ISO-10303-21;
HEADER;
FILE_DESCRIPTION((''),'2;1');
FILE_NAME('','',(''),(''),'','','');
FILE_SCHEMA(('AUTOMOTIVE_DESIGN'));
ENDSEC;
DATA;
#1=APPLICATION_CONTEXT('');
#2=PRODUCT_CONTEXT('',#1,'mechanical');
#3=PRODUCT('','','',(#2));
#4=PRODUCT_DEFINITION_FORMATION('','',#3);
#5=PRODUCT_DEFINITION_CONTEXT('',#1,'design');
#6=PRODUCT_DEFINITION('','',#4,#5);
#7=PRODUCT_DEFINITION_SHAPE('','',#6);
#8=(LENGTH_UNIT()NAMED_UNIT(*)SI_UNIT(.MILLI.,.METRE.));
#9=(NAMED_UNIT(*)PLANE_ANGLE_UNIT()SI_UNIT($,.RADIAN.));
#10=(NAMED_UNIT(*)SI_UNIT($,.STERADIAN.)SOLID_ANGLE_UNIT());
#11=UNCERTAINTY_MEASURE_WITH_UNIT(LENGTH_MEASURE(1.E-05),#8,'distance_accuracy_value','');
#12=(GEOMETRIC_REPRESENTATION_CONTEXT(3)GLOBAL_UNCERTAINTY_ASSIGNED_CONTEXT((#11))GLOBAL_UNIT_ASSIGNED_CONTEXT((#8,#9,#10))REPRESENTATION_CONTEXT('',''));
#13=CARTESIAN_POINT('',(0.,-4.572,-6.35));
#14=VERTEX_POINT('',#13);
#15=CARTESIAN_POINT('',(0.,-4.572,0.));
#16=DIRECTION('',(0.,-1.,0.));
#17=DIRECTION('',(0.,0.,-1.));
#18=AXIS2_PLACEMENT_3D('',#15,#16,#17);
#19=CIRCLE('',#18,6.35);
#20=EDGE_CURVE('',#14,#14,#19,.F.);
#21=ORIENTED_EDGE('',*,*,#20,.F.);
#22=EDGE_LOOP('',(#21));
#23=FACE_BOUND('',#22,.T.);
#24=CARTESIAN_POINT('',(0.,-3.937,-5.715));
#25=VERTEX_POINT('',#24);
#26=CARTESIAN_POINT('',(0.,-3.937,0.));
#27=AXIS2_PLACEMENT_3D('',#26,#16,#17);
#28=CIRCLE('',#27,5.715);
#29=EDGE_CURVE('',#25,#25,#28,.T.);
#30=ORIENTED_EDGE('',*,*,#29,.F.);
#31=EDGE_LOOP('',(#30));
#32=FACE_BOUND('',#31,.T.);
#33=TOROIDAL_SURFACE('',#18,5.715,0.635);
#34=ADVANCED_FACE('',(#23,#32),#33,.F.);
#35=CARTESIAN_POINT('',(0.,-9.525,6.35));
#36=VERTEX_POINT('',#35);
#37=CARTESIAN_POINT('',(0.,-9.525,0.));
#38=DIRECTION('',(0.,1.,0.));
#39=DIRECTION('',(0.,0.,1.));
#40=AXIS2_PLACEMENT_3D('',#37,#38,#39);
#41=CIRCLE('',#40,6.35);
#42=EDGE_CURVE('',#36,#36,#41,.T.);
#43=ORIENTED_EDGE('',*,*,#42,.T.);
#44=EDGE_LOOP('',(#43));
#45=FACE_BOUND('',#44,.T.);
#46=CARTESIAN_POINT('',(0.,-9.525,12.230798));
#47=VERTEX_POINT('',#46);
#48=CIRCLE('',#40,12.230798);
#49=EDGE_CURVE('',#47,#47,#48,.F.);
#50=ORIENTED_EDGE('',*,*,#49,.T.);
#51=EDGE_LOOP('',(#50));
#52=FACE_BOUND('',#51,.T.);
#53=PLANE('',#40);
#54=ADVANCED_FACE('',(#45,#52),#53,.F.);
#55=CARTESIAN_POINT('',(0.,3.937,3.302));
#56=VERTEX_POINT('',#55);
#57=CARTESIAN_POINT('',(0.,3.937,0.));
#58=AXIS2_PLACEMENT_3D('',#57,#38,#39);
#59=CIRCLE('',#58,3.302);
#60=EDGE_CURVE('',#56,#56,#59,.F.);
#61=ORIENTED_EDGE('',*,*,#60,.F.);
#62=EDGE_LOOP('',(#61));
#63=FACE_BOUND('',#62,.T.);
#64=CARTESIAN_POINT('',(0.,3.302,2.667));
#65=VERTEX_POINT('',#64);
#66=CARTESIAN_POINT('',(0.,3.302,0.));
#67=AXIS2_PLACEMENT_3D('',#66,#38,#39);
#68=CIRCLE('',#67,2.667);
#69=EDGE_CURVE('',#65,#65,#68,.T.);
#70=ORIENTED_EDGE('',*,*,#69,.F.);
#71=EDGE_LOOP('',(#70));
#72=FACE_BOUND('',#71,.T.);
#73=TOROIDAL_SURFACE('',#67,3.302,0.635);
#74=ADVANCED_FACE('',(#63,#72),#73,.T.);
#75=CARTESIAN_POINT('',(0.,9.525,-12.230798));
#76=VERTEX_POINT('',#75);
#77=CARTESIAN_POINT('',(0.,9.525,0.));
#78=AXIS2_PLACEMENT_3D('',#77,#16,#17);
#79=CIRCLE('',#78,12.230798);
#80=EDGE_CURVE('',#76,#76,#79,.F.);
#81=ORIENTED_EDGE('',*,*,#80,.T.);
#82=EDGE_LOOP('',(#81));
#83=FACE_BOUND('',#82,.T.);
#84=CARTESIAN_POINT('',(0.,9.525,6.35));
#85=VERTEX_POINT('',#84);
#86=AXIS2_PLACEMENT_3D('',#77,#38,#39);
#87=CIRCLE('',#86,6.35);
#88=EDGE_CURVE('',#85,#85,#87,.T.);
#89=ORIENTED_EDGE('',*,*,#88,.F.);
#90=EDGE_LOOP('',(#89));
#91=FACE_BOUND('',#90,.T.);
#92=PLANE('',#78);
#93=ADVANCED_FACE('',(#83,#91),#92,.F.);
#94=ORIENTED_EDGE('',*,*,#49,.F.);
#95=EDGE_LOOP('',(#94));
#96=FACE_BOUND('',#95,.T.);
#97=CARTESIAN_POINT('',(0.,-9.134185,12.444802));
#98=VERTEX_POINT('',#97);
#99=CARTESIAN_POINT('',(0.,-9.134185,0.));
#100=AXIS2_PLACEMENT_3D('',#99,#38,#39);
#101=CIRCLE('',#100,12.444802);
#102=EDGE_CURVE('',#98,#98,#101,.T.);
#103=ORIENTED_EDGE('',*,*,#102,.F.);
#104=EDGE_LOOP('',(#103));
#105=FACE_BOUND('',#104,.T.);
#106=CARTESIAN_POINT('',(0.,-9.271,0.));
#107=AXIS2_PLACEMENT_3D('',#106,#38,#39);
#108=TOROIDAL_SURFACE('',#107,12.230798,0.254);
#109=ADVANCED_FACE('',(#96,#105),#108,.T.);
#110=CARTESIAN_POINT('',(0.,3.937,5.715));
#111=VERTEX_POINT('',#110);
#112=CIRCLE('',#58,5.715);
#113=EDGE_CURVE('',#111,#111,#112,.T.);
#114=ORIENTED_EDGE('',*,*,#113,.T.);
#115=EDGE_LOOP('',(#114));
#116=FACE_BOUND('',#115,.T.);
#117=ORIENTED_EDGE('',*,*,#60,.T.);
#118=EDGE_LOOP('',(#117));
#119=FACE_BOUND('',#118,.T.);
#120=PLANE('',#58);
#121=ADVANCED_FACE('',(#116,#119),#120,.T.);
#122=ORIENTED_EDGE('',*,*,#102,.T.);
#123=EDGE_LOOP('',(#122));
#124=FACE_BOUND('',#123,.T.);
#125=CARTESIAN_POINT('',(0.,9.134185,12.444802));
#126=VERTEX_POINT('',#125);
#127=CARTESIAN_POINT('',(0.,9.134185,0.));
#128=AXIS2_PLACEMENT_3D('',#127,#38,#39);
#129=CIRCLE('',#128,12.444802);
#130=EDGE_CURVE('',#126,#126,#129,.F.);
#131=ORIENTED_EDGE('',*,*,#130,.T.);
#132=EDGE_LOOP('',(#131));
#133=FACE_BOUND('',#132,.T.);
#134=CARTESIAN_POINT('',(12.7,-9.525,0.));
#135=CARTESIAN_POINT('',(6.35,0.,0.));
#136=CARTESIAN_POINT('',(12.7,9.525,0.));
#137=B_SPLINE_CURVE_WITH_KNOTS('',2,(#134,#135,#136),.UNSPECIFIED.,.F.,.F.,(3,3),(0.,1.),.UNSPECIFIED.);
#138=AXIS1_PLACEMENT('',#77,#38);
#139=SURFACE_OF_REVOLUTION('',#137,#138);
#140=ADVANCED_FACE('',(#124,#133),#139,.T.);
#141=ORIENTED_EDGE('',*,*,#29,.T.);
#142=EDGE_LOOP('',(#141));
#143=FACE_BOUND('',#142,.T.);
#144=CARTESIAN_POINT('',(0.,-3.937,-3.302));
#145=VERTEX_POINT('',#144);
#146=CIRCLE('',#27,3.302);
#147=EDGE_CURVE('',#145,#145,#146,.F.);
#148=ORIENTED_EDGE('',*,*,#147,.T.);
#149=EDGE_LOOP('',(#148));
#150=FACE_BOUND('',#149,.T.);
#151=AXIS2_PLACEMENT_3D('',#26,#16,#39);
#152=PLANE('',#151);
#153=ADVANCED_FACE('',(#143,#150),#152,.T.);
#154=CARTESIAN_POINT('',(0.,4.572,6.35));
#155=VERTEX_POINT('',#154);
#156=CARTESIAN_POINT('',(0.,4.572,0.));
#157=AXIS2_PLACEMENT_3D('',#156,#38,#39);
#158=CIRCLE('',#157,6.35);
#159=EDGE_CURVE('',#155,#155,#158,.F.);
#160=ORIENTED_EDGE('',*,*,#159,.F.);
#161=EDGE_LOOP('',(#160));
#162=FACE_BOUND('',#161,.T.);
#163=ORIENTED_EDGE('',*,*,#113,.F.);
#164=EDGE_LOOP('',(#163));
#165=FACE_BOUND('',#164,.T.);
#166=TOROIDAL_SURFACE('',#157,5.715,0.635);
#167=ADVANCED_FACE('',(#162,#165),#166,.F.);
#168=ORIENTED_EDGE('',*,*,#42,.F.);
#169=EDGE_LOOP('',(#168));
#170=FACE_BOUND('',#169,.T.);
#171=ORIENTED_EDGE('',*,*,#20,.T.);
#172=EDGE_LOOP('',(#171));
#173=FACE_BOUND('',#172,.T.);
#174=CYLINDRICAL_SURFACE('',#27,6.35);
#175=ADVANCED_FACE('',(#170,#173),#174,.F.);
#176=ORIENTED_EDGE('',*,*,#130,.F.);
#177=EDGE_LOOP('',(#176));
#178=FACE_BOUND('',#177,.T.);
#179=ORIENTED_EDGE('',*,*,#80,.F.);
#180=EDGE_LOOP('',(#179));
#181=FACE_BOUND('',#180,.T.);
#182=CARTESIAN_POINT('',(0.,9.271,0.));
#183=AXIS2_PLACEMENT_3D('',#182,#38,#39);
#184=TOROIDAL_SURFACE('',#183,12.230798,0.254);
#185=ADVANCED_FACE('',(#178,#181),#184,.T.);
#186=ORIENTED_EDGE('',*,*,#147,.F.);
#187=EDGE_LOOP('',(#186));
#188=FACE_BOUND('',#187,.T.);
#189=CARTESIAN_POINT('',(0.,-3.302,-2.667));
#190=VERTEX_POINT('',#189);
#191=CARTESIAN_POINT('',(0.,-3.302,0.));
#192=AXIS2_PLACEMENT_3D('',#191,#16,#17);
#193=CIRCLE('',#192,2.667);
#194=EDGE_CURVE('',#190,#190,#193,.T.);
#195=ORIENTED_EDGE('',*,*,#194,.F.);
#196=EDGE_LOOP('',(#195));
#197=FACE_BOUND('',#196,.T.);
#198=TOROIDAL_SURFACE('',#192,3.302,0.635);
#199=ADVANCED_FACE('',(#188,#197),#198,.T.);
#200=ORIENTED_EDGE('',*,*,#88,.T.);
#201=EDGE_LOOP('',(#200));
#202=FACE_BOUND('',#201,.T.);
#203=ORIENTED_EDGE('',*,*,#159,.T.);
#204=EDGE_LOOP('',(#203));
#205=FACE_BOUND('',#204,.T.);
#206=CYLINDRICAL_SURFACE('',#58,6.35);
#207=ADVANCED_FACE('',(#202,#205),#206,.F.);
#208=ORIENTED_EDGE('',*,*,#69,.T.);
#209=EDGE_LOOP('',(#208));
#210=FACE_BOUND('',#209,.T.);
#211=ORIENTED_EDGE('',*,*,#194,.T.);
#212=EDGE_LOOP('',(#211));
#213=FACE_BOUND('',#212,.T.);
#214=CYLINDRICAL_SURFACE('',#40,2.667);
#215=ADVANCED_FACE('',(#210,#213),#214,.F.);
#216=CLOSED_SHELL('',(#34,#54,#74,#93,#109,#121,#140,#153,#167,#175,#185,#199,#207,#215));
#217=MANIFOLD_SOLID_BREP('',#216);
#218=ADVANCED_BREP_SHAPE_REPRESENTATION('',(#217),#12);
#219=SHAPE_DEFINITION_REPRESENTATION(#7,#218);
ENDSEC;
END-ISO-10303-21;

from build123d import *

# Parameters (mm, degrees)
CUT_EXTRUDE1_DEPTH      = 27.181720892
CUT_EXTRUDE1_DEPTH_BACK = 27.181720892
SKETCH2_R               = 2.667
SKETCH3_R               = 6.35
CUT_EXTRUDE2_DEPTH      = 5.588
FILLET1_R               = 0.254
FILLET2_R               = 0.635
FILLET3_R               = 0.635


with BuildPart() as part:
    # Sketch1 → Revolve2 (revolve)
    with BuildSketch(Plane.XY):
        with BuildLine():
            Line((0, 9.525), (0, -9.525))
            Line((0, -9.525), (12.7, -9.525))
            add(Edge.make_bspline(
                [(12.7, 9.525), (6.35, 0), (12.7, -9.525)],
                knots=[0, 0, 0, 1, 1, 1], degree=2))
            Line((12.7, 9.525), (0, 9.525))
        make_face()
    revolve(axis=Axis((0, 9.525, 0), (0, -1, 0)))

    # Sketch2 → Cut-Extrude1 (cut, two sides: drawn at the far end of the back side and taken through both)
    with BuildSketch(Plane(origin=(0, 9.525, 0), x_dir=(1, 0, 0), z_dir=(0, 1, 0)).offset(-CUT_EXTRUDE1_DEPTH_BACK)):
        with Locations(Location((0, 0, 0), (0, 0, 270))):
            Circle(SKETCH2_R)
    extrude(amount=CUT_EXTRUDE1_DEPTH + CUT_EXTRUDE1_DEPTH_BACK, mode=Mode.SUBTRACT)

    # Sketch3 → Cut-Extrude2 (cut)
    with BuildSketch(Plane(origin=(0, 9.525, 0), x_dir=(1, 0, 0), z_dir=(0, 1, 0))):
        with Locations(Location((0, 0, 0), (0, 0, 270))):
            Circle(SKETCH3_R)
    cut_extrude2 = extrude(amount=-CUT_EXTRUDE2_DEPTH, mode=Mode.SUBTRACT)

    # Mirror1: Cut-Extrude2 across plane
    add(cut_extrude2.mirror(Plane.ZX), mode=Mode.SUBTRACT)

    # Fillet1
    fillet1_edges = [part.edges().sort_by_distance(p)[0] for p in [
        (-12.7, -9.525, 0),
        (-12.7, 9.525, 0),
    ]]
    fillet(fillet1_edges, radius=FILLET1_R)

    # Fillet2
    fillet2_edges = [part.edges().sort_by_distance(p)[0] for p in [
        (0, 3.937, -6.35),
        (0, -3.937, -6.35),
    ]]
    fillet(fillet2_edges, radius=FILLET2_R)

    # Fillet3
    fillet3_edges = [part.edges().sort_by_distance(p)[0] for p in [
        (0, 3.937, -2.667),
        (0, -3.937, -2.667),
    ]]
    fillet(fillet3_edges, radius=FILLET3_R)


solid = part.part
